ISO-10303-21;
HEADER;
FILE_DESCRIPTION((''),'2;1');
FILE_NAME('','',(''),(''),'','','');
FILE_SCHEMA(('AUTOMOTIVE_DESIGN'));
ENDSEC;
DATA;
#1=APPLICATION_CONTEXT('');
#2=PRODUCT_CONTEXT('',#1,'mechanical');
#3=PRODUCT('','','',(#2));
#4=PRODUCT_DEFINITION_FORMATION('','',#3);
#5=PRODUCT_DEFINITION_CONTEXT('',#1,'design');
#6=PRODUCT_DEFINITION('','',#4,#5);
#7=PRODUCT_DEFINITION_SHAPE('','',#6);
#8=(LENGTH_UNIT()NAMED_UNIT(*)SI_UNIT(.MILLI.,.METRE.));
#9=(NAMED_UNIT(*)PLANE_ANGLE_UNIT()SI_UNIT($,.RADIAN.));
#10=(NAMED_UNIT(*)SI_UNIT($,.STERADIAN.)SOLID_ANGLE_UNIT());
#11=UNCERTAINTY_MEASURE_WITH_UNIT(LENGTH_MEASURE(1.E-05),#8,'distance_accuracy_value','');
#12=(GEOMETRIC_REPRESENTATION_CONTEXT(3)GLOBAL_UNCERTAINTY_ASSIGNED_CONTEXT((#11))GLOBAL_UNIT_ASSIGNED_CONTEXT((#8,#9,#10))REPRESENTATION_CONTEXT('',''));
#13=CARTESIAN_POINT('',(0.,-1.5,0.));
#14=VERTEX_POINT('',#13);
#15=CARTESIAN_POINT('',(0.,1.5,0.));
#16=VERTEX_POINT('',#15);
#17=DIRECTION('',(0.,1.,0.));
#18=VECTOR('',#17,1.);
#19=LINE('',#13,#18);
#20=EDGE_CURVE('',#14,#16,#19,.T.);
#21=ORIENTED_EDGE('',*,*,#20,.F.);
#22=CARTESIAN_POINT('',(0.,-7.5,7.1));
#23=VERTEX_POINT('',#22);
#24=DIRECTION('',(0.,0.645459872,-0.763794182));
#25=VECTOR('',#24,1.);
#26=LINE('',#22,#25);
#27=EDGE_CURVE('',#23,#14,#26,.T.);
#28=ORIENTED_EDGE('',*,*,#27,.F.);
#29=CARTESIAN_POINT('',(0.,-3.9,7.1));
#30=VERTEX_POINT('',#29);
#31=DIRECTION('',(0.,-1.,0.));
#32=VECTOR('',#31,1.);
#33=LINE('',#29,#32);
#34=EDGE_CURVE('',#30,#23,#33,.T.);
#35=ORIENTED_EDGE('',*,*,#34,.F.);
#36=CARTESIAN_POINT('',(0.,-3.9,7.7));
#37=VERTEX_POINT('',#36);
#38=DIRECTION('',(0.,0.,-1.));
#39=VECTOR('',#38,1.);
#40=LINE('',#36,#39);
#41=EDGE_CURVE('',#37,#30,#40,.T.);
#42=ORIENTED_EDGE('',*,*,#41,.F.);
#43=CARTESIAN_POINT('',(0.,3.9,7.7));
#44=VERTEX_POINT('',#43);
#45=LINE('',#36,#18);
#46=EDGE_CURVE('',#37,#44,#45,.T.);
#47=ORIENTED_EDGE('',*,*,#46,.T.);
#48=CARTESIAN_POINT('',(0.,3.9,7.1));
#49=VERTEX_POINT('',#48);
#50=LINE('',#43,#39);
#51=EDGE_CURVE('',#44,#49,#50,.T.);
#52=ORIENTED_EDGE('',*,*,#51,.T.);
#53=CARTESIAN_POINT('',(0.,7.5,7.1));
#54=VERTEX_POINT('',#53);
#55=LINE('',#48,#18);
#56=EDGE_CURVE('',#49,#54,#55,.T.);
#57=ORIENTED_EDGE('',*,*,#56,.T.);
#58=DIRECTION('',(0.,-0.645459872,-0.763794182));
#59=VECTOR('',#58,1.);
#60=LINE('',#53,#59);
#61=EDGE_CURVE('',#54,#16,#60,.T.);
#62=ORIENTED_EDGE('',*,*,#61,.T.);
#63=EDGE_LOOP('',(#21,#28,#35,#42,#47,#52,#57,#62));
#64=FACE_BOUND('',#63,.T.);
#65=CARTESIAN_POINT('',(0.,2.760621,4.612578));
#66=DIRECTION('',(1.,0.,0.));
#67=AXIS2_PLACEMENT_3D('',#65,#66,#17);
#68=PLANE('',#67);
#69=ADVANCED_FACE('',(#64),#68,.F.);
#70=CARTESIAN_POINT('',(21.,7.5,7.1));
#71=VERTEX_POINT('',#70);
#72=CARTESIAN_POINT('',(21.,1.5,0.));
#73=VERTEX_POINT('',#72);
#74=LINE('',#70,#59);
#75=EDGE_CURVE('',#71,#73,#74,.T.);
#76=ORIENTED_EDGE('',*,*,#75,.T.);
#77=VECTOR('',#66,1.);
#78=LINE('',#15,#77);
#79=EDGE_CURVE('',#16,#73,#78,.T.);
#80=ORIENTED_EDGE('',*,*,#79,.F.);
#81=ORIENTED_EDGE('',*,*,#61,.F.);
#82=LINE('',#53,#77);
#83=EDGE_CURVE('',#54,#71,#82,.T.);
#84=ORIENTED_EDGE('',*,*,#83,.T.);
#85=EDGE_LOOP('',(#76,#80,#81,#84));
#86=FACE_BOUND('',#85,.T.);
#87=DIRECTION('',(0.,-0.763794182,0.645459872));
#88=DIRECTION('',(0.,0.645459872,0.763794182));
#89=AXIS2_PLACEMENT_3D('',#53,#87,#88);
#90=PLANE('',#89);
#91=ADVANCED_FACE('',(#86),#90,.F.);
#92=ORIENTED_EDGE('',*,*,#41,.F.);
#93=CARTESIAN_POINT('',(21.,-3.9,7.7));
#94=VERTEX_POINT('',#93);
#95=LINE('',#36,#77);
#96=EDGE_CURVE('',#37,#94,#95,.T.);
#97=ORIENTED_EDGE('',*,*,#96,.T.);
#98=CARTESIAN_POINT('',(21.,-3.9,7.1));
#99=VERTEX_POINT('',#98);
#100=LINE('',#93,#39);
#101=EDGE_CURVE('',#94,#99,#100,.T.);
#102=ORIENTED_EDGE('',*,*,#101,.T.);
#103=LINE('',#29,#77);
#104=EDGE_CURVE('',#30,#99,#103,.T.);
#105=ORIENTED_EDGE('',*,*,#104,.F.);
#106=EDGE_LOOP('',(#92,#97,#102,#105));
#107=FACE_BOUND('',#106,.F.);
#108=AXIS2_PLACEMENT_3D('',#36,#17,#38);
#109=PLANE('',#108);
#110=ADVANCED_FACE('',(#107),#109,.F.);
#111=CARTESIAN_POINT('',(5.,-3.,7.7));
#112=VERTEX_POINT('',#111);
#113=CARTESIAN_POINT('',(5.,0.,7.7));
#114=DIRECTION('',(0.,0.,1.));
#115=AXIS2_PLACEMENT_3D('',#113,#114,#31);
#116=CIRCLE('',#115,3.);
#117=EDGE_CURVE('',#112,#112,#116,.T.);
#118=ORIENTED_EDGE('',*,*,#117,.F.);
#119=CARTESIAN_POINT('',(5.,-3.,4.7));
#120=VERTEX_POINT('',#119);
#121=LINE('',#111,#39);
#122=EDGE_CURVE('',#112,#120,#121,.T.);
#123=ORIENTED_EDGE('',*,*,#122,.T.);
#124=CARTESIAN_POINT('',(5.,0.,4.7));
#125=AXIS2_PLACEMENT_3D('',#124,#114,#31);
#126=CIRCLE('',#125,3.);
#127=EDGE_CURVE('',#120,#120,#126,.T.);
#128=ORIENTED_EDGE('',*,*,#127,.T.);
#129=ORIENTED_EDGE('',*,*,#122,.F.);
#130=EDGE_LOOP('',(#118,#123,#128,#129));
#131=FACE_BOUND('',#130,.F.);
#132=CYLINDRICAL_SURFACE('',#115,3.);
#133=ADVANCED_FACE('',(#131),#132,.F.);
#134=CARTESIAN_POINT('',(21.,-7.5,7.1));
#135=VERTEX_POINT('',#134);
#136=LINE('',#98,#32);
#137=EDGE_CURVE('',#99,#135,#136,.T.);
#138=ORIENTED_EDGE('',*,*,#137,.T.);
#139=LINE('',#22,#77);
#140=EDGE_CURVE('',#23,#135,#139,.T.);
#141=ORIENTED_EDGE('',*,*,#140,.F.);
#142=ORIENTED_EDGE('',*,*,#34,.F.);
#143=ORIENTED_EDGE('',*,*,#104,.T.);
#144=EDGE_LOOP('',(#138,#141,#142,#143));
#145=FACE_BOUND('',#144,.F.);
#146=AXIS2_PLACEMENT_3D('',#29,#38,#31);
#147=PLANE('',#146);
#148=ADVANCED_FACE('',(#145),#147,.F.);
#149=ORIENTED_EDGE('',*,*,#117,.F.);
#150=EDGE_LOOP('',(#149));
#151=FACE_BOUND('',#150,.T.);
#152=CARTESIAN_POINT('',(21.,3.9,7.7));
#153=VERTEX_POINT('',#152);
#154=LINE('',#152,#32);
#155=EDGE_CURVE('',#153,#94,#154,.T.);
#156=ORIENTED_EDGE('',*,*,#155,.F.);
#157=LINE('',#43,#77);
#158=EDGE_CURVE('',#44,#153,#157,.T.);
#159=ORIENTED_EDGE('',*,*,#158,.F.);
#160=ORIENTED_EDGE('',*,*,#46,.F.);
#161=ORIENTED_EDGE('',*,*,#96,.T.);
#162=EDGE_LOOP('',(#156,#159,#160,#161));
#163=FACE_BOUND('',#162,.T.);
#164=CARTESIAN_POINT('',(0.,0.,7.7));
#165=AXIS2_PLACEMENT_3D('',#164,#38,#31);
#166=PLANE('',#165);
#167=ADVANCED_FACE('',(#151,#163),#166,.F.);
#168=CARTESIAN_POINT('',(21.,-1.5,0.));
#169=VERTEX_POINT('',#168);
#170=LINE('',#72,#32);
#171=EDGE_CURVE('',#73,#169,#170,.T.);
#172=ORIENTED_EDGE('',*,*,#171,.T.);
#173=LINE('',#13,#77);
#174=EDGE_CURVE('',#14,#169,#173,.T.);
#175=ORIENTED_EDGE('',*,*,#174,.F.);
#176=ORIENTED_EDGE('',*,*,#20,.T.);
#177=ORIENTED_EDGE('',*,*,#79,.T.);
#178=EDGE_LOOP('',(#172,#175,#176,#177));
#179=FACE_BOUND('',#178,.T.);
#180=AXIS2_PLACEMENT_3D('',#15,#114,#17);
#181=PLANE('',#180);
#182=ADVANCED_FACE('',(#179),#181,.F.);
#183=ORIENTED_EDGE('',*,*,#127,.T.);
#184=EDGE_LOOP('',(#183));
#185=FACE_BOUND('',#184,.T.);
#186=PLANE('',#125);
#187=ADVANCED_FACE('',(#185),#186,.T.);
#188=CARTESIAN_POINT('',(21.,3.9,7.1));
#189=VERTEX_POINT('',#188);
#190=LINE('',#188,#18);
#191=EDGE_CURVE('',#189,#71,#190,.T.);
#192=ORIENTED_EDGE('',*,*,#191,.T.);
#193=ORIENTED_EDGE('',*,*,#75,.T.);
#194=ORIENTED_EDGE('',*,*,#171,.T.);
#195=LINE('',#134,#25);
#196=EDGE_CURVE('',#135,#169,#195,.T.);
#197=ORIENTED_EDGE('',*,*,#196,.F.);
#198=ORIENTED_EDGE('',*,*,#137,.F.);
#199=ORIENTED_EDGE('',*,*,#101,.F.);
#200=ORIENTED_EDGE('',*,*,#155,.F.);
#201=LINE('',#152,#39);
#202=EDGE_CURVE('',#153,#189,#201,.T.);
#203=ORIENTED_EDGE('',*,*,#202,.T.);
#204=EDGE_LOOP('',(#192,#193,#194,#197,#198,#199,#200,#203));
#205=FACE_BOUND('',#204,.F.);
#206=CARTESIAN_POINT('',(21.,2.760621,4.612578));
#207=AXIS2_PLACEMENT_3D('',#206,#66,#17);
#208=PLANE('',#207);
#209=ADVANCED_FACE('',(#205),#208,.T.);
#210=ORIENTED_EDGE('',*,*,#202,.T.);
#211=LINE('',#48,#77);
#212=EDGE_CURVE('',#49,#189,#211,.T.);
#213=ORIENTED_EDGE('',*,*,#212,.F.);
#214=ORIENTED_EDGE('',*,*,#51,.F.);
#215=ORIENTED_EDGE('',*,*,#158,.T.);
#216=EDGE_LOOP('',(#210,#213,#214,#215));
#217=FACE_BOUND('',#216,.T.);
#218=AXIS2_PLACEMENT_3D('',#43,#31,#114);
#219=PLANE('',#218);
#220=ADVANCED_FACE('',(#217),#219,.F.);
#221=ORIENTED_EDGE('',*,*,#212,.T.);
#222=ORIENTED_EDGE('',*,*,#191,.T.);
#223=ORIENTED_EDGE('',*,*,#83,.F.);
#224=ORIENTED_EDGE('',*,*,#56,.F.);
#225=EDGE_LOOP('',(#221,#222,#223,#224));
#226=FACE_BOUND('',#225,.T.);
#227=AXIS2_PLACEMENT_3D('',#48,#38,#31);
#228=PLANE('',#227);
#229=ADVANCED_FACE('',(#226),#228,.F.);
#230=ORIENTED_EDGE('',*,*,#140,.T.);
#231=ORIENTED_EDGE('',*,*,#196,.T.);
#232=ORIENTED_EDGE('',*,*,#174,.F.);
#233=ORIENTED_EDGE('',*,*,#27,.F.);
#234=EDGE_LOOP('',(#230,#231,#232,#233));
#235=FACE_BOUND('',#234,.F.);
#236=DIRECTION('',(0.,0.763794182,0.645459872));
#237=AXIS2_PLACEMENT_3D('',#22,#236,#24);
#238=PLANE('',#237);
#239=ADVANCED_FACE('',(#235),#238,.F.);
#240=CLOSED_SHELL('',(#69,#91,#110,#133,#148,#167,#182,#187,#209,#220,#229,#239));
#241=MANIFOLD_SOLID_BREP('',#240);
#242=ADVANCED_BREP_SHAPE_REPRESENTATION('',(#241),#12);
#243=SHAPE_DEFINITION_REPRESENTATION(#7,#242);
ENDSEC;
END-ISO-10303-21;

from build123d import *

# Parameters (mm, degrees)
PAD_DEPTH    = 21
SKETCH001_R  = 3
POCKET_DEPTH = 3


with BuildPart() as part:
    # Sketch → Pad (new body)
    with BuildSketch(Plane.YZ):
        Polygon((-7.5, 7.1), (-1.5, 0), (0, 0), (0, 7.7), (-3.9, 7.7), (-3.9, 7.1), align=None)
    pad = extrude(amount=PAD_DEPTH)

    # Mirrored: Pad across Sketch V_Axis
    add(pad.mirror(Plane(origin=(0, 0, 0), x_dir=(1, 0, 0), z_dir=(0, 1, 0))))

    # Sketch001 (on Face10 of Mirrored) → Pocket (cut)
    with BuildSketch(Plane(origin=(0, 0, 7.7), x_dir=(0, -1, 0), z_dir=(0, 0, 1))):
        with Locations((0, 5)):
            Circle(SKETCH001_R)
    extrude(amount=-POCKET_DEPTH, mode=Mode.SUBTRACT)


solid = part.part
